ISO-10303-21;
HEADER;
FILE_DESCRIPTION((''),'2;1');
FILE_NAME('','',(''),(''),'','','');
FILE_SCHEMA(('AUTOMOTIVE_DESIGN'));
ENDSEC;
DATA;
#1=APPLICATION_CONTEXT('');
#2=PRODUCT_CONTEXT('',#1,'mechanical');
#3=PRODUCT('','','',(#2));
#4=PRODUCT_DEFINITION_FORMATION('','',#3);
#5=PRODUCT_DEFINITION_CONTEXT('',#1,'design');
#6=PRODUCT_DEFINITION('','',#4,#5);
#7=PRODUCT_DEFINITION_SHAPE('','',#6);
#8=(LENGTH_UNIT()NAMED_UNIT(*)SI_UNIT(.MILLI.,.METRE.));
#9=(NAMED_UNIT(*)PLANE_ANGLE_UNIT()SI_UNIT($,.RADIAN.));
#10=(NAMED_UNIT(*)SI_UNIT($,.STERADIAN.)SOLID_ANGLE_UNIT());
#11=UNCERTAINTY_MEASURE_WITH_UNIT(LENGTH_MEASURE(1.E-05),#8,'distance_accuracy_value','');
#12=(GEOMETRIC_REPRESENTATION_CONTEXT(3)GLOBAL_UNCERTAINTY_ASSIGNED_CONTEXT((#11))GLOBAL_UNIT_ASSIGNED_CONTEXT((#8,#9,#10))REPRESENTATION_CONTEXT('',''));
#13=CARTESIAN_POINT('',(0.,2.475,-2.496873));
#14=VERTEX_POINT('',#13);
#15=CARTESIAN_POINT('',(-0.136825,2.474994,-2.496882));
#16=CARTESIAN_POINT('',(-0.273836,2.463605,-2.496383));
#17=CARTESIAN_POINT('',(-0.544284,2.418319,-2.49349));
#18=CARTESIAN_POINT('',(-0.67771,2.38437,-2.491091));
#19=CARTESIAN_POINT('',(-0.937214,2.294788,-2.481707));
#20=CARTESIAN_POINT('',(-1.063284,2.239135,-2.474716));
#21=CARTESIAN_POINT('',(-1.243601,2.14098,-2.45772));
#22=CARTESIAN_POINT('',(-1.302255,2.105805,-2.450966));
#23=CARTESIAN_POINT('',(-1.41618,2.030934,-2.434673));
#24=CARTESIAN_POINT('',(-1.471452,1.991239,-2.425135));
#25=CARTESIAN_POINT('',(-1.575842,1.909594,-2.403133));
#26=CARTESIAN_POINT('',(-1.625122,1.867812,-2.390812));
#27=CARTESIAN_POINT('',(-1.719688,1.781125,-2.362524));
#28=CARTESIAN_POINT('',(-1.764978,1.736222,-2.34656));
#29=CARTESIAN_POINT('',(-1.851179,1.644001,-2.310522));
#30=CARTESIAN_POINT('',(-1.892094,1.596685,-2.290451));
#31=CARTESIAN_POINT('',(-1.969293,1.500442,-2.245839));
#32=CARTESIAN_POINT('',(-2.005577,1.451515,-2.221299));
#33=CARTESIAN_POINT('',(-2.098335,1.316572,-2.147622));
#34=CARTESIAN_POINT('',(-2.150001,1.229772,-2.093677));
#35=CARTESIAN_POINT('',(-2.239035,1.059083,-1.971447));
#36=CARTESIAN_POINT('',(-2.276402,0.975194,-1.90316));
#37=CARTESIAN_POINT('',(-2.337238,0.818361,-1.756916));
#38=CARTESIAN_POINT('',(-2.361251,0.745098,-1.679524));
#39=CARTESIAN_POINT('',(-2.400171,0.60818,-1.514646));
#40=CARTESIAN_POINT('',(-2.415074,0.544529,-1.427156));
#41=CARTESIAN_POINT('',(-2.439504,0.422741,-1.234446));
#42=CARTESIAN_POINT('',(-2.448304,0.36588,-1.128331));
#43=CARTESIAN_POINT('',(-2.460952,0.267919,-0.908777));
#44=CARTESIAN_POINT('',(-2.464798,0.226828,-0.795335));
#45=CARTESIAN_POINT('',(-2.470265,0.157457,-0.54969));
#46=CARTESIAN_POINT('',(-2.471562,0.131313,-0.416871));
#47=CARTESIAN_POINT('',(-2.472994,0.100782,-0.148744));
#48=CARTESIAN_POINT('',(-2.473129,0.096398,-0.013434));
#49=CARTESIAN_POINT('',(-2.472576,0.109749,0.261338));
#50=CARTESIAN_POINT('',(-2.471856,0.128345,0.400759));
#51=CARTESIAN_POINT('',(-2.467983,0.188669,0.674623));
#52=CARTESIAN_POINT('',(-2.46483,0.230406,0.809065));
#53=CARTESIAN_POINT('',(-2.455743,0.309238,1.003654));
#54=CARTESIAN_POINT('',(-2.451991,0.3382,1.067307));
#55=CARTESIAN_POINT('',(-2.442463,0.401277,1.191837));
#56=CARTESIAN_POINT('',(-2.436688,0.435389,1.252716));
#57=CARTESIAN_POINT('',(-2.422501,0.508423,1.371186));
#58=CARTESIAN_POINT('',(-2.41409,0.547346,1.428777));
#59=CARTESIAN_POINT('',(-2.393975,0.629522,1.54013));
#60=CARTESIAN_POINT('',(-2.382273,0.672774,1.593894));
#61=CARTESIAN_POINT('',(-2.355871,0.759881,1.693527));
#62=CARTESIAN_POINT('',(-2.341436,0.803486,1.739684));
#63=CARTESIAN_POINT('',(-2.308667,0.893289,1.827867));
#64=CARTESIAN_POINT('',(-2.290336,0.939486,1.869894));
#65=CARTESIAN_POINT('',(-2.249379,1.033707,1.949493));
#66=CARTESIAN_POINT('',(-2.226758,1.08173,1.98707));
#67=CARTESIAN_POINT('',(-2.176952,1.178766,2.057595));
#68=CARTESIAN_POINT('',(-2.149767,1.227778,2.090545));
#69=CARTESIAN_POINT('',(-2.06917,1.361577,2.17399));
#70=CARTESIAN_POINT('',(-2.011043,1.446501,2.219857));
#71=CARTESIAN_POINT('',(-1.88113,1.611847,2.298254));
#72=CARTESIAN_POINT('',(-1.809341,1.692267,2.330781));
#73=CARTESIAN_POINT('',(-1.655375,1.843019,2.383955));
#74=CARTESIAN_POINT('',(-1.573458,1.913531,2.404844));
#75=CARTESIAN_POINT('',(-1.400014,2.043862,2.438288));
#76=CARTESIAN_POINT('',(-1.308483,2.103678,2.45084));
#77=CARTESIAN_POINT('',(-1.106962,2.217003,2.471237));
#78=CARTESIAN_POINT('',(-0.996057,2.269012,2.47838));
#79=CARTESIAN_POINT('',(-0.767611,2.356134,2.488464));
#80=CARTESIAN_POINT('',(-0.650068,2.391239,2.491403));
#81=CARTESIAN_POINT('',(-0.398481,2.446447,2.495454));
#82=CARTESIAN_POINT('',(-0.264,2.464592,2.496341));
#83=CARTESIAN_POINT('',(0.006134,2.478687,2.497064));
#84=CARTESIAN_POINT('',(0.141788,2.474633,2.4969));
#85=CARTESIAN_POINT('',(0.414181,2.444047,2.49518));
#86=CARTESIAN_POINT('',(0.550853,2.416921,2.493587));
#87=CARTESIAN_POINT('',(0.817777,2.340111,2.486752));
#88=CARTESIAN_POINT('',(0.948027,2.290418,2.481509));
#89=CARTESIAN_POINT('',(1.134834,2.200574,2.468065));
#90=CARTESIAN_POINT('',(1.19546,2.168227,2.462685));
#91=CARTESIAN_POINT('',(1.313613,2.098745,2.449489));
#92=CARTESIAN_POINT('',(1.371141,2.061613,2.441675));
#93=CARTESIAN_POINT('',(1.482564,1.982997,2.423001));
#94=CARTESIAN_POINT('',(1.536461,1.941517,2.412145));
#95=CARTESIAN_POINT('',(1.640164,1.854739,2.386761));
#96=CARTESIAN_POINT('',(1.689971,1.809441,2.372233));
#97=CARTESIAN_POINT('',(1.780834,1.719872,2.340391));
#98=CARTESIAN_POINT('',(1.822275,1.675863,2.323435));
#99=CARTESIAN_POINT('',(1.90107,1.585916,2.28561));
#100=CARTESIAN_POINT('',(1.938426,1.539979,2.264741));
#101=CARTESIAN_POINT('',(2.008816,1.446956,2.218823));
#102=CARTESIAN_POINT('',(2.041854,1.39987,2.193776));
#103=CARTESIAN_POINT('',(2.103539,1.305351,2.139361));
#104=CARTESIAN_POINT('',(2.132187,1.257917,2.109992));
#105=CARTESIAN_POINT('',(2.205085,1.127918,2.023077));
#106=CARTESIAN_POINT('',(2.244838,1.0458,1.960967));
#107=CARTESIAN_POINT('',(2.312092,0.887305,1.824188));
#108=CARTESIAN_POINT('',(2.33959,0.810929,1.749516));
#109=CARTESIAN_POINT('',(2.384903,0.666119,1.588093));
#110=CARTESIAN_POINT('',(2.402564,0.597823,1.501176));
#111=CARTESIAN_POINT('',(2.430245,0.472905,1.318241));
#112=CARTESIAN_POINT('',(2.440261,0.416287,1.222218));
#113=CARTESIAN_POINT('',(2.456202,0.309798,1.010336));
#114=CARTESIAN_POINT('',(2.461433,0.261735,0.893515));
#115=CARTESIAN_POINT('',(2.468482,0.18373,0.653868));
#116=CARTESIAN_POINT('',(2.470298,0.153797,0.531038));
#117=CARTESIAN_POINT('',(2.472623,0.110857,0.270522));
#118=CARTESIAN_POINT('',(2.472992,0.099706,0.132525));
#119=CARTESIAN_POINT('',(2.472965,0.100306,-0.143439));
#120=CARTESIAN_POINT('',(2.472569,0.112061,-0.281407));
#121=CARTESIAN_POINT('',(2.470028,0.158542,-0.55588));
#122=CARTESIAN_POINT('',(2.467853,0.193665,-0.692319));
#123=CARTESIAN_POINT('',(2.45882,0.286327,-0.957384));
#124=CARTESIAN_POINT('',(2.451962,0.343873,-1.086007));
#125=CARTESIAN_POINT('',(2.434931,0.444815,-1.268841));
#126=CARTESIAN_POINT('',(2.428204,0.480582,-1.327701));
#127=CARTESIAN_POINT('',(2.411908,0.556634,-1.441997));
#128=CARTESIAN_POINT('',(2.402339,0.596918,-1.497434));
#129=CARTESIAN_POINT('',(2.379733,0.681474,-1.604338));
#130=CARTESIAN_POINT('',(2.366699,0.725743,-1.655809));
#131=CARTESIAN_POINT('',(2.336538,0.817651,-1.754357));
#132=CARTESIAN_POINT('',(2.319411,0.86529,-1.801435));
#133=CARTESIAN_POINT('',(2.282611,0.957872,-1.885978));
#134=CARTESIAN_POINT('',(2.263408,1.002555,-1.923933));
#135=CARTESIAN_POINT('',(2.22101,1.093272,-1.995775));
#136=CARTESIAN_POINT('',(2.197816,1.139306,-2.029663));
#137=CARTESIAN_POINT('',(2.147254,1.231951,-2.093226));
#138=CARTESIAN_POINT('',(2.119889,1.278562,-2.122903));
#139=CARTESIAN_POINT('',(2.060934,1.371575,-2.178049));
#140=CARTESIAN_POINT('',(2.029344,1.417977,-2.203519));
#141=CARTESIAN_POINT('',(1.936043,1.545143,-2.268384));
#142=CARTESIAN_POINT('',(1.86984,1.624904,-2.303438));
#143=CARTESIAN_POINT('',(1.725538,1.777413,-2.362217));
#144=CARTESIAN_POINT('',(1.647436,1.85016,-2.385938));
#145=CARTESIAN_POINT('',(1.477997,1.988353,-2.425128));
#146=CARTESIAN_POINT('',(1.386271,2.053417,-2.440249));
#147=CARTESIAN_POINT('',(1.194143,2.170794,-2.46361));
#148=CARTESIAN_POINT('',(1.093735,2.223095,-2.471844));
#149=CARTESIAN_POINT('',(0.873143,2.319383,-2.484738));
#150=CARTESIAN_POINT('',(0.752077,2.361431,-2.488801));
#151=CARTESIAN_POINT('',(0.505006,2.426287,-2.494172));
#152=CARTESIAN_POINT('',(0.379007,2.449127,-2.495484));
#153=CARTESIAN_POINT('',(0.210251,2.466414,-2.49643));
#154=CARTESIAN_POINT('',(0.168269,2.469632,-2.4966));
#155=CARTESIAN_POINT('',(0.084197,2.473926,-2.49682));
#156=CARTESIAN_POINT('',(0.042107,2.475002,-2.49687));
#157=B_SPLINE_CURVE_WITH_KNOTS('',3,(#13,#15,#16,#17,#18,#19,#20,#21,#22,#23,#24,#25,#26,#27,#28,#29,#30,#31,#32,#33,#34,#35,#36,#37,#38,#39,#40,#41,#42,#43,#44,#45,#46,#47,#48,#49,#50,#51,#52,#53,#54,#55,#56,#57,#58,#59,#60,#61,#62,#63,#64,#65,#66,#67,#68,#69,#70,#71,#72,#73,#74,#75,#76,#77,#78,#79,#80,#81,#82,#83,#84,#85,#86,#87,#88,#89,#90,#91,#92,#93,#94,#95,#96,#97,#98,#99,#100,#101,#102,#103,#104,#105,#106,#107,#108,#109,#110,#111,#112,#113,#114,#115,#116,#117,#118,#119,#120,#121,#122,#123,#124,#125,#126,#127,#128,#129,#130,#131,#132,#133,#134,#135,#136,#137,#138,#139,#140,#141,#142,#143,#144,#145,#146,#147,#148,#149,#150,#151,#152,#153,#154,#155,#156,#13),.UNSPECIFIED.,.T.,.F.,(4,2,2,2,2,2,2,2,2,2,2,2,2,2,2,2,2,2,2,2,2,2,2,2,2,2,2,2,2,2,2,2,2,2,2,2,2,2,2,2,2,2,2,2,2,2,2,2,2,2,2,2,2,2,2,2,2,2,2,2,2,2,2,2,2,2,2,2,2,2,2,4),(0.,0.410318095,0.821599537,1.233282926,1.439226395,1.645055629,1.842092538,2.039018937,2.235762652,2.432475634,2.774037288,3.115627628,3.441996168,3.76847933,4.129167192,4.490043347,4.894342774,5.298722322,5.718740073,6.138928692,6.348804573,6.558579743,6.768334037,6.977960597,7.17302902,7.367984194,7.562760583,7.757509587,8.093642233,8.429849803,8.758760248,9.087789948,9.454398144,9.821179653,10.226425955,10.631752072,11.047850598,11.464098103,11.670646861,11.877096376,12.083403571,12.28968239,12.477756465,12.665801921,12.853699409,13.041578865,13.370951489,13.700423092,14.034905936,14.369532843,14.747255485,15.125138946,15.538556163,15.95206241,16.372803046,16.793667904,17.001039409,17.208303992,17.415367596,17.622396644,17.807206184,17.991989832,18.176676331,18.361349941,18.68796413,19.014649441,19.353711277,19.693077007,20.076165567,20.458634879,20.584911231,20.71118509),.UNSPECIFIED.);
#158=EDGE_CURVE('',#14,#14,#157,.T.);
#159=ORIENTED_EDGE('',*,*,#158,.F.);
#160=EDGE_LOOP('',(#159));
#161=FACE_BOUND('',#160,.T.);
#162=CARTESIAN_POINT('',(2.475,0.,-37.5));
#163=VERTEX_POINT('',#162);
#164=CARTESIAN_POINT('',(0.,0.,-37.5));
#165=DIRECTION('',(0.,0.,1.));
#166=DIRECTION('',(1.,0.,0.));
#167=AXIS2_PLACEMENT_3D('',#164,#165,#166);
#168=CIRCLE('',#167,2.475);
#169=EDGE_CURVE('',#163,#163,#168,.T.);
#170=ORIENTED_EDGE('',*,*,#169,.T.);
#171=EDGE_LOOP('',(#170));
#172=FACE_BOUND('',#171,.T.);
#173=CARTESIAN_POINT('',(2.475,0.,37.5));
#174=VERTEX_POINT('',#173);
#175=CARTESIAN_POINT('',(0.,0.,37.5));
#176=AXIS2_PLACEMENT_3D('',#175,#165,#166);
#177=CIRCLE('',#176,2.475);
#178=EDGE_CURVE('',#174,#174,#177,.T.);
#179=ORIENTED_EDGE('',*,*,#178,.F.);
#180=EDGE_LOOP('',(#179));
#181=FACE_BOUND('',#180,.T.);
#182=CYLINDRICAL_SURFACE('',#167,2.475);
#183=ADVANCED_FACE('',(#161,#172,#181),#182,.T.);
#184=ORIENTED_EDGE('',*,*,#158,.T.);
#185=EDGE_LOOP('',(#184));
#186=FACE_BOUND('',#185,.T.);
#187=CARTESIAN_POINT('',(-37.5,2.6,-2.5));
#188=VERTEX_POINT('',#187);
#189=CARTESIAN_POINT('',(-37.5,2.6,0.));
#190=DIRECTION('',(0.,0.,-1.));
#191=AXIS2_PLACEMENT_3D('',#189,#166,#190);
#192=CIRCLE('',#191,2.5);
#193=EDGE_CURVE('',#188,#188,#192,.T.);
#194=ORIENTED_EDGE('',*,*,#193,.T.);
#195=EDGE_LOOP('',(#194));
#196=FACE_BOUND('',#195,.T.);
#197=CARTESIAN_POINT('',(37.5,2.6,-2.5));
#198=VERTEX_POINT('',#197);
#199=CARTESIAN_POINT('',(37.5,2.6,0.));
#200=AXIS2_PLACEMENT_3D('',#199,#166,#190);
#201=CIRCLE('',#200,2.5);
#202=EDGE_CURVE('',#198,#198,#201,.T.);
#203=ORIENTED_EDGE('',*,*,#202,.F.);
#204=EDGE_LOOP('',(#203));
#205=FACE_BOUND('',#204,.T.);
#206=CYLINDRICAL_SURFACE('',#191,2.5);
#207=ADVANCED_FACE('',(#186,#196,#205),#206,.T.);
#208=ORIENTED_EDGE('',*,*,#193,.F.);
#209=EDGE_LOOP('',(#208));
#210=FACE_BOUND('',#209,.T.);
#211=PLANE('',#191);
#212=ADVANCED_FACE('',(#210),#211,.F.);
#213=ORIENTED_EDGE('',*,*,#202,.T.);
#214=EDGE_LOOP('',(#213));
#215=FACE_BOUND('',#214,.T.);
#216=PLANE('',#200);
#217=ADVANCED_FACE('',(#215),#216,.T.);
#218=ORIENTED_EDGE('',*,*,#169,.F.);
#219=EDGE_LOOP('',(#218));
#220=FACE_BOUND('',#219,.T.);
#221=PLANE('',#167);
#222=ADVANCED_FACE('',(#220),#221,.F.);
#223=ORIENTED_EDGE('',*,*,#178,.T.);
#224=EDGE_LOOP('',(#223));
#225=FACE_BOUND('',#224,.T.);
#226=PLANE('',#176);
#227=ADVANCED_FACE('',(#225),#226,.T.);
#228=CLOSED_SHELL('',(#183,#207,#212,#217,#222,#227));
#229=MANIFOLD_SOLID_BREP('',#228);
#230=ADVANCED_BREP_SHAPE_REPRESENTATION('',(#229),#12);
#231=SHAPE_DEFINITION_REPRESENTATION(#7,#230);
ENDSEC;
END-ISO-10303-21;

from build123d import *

# Parameters (mm, degrees)
BOSS_EXTRUDE1_DEPTH      = 37.5
BOSS_EXTRUDE1_DEPTH_BACK = 37.5
SKETCH2_R                = 2.475
BOSS_EXTRUDE2_DEPTH      = 37.5
BOSS_EXTRUDE2_DEPTH_BACK = 37.5
SKETCH3_R                = 2.5


with BuildPart() as part:
    # Sketch2 → Boss-Extrude1 (new, two sides: drawn at the far end of the back side and taken through both)
    with BuildSketch(Plane.XY.offset(-BOSS_EXTRUDE1_DEPTH_BACK)):
        Circle(SKETCH2_R)
    extrude(amount=BOSS_EXTRUDE1_DEPTH + BOSS_EXTRUDE1_DEPTH_BACK)

    # Sketch3 → Boss-Extrude2 (add, two sides: drawn at the far end of the back side and taken through both)
    with BuildSketch(Plane(origin=(0, 0, 0), x_dir=(0, 0, -1), z_dir=(1, 0, 0)).offset(-BOSS_EXTRUDE2_DEPTH_BACK)):
        with Locations((0, 2.6)):
            Circle(SKETCH3_R)
    extrude(amount=BOSS_EXTRUDE2_DEPTH + BOSS_EXTRUDE2_DEPTH_BACK)


solid = part.part
